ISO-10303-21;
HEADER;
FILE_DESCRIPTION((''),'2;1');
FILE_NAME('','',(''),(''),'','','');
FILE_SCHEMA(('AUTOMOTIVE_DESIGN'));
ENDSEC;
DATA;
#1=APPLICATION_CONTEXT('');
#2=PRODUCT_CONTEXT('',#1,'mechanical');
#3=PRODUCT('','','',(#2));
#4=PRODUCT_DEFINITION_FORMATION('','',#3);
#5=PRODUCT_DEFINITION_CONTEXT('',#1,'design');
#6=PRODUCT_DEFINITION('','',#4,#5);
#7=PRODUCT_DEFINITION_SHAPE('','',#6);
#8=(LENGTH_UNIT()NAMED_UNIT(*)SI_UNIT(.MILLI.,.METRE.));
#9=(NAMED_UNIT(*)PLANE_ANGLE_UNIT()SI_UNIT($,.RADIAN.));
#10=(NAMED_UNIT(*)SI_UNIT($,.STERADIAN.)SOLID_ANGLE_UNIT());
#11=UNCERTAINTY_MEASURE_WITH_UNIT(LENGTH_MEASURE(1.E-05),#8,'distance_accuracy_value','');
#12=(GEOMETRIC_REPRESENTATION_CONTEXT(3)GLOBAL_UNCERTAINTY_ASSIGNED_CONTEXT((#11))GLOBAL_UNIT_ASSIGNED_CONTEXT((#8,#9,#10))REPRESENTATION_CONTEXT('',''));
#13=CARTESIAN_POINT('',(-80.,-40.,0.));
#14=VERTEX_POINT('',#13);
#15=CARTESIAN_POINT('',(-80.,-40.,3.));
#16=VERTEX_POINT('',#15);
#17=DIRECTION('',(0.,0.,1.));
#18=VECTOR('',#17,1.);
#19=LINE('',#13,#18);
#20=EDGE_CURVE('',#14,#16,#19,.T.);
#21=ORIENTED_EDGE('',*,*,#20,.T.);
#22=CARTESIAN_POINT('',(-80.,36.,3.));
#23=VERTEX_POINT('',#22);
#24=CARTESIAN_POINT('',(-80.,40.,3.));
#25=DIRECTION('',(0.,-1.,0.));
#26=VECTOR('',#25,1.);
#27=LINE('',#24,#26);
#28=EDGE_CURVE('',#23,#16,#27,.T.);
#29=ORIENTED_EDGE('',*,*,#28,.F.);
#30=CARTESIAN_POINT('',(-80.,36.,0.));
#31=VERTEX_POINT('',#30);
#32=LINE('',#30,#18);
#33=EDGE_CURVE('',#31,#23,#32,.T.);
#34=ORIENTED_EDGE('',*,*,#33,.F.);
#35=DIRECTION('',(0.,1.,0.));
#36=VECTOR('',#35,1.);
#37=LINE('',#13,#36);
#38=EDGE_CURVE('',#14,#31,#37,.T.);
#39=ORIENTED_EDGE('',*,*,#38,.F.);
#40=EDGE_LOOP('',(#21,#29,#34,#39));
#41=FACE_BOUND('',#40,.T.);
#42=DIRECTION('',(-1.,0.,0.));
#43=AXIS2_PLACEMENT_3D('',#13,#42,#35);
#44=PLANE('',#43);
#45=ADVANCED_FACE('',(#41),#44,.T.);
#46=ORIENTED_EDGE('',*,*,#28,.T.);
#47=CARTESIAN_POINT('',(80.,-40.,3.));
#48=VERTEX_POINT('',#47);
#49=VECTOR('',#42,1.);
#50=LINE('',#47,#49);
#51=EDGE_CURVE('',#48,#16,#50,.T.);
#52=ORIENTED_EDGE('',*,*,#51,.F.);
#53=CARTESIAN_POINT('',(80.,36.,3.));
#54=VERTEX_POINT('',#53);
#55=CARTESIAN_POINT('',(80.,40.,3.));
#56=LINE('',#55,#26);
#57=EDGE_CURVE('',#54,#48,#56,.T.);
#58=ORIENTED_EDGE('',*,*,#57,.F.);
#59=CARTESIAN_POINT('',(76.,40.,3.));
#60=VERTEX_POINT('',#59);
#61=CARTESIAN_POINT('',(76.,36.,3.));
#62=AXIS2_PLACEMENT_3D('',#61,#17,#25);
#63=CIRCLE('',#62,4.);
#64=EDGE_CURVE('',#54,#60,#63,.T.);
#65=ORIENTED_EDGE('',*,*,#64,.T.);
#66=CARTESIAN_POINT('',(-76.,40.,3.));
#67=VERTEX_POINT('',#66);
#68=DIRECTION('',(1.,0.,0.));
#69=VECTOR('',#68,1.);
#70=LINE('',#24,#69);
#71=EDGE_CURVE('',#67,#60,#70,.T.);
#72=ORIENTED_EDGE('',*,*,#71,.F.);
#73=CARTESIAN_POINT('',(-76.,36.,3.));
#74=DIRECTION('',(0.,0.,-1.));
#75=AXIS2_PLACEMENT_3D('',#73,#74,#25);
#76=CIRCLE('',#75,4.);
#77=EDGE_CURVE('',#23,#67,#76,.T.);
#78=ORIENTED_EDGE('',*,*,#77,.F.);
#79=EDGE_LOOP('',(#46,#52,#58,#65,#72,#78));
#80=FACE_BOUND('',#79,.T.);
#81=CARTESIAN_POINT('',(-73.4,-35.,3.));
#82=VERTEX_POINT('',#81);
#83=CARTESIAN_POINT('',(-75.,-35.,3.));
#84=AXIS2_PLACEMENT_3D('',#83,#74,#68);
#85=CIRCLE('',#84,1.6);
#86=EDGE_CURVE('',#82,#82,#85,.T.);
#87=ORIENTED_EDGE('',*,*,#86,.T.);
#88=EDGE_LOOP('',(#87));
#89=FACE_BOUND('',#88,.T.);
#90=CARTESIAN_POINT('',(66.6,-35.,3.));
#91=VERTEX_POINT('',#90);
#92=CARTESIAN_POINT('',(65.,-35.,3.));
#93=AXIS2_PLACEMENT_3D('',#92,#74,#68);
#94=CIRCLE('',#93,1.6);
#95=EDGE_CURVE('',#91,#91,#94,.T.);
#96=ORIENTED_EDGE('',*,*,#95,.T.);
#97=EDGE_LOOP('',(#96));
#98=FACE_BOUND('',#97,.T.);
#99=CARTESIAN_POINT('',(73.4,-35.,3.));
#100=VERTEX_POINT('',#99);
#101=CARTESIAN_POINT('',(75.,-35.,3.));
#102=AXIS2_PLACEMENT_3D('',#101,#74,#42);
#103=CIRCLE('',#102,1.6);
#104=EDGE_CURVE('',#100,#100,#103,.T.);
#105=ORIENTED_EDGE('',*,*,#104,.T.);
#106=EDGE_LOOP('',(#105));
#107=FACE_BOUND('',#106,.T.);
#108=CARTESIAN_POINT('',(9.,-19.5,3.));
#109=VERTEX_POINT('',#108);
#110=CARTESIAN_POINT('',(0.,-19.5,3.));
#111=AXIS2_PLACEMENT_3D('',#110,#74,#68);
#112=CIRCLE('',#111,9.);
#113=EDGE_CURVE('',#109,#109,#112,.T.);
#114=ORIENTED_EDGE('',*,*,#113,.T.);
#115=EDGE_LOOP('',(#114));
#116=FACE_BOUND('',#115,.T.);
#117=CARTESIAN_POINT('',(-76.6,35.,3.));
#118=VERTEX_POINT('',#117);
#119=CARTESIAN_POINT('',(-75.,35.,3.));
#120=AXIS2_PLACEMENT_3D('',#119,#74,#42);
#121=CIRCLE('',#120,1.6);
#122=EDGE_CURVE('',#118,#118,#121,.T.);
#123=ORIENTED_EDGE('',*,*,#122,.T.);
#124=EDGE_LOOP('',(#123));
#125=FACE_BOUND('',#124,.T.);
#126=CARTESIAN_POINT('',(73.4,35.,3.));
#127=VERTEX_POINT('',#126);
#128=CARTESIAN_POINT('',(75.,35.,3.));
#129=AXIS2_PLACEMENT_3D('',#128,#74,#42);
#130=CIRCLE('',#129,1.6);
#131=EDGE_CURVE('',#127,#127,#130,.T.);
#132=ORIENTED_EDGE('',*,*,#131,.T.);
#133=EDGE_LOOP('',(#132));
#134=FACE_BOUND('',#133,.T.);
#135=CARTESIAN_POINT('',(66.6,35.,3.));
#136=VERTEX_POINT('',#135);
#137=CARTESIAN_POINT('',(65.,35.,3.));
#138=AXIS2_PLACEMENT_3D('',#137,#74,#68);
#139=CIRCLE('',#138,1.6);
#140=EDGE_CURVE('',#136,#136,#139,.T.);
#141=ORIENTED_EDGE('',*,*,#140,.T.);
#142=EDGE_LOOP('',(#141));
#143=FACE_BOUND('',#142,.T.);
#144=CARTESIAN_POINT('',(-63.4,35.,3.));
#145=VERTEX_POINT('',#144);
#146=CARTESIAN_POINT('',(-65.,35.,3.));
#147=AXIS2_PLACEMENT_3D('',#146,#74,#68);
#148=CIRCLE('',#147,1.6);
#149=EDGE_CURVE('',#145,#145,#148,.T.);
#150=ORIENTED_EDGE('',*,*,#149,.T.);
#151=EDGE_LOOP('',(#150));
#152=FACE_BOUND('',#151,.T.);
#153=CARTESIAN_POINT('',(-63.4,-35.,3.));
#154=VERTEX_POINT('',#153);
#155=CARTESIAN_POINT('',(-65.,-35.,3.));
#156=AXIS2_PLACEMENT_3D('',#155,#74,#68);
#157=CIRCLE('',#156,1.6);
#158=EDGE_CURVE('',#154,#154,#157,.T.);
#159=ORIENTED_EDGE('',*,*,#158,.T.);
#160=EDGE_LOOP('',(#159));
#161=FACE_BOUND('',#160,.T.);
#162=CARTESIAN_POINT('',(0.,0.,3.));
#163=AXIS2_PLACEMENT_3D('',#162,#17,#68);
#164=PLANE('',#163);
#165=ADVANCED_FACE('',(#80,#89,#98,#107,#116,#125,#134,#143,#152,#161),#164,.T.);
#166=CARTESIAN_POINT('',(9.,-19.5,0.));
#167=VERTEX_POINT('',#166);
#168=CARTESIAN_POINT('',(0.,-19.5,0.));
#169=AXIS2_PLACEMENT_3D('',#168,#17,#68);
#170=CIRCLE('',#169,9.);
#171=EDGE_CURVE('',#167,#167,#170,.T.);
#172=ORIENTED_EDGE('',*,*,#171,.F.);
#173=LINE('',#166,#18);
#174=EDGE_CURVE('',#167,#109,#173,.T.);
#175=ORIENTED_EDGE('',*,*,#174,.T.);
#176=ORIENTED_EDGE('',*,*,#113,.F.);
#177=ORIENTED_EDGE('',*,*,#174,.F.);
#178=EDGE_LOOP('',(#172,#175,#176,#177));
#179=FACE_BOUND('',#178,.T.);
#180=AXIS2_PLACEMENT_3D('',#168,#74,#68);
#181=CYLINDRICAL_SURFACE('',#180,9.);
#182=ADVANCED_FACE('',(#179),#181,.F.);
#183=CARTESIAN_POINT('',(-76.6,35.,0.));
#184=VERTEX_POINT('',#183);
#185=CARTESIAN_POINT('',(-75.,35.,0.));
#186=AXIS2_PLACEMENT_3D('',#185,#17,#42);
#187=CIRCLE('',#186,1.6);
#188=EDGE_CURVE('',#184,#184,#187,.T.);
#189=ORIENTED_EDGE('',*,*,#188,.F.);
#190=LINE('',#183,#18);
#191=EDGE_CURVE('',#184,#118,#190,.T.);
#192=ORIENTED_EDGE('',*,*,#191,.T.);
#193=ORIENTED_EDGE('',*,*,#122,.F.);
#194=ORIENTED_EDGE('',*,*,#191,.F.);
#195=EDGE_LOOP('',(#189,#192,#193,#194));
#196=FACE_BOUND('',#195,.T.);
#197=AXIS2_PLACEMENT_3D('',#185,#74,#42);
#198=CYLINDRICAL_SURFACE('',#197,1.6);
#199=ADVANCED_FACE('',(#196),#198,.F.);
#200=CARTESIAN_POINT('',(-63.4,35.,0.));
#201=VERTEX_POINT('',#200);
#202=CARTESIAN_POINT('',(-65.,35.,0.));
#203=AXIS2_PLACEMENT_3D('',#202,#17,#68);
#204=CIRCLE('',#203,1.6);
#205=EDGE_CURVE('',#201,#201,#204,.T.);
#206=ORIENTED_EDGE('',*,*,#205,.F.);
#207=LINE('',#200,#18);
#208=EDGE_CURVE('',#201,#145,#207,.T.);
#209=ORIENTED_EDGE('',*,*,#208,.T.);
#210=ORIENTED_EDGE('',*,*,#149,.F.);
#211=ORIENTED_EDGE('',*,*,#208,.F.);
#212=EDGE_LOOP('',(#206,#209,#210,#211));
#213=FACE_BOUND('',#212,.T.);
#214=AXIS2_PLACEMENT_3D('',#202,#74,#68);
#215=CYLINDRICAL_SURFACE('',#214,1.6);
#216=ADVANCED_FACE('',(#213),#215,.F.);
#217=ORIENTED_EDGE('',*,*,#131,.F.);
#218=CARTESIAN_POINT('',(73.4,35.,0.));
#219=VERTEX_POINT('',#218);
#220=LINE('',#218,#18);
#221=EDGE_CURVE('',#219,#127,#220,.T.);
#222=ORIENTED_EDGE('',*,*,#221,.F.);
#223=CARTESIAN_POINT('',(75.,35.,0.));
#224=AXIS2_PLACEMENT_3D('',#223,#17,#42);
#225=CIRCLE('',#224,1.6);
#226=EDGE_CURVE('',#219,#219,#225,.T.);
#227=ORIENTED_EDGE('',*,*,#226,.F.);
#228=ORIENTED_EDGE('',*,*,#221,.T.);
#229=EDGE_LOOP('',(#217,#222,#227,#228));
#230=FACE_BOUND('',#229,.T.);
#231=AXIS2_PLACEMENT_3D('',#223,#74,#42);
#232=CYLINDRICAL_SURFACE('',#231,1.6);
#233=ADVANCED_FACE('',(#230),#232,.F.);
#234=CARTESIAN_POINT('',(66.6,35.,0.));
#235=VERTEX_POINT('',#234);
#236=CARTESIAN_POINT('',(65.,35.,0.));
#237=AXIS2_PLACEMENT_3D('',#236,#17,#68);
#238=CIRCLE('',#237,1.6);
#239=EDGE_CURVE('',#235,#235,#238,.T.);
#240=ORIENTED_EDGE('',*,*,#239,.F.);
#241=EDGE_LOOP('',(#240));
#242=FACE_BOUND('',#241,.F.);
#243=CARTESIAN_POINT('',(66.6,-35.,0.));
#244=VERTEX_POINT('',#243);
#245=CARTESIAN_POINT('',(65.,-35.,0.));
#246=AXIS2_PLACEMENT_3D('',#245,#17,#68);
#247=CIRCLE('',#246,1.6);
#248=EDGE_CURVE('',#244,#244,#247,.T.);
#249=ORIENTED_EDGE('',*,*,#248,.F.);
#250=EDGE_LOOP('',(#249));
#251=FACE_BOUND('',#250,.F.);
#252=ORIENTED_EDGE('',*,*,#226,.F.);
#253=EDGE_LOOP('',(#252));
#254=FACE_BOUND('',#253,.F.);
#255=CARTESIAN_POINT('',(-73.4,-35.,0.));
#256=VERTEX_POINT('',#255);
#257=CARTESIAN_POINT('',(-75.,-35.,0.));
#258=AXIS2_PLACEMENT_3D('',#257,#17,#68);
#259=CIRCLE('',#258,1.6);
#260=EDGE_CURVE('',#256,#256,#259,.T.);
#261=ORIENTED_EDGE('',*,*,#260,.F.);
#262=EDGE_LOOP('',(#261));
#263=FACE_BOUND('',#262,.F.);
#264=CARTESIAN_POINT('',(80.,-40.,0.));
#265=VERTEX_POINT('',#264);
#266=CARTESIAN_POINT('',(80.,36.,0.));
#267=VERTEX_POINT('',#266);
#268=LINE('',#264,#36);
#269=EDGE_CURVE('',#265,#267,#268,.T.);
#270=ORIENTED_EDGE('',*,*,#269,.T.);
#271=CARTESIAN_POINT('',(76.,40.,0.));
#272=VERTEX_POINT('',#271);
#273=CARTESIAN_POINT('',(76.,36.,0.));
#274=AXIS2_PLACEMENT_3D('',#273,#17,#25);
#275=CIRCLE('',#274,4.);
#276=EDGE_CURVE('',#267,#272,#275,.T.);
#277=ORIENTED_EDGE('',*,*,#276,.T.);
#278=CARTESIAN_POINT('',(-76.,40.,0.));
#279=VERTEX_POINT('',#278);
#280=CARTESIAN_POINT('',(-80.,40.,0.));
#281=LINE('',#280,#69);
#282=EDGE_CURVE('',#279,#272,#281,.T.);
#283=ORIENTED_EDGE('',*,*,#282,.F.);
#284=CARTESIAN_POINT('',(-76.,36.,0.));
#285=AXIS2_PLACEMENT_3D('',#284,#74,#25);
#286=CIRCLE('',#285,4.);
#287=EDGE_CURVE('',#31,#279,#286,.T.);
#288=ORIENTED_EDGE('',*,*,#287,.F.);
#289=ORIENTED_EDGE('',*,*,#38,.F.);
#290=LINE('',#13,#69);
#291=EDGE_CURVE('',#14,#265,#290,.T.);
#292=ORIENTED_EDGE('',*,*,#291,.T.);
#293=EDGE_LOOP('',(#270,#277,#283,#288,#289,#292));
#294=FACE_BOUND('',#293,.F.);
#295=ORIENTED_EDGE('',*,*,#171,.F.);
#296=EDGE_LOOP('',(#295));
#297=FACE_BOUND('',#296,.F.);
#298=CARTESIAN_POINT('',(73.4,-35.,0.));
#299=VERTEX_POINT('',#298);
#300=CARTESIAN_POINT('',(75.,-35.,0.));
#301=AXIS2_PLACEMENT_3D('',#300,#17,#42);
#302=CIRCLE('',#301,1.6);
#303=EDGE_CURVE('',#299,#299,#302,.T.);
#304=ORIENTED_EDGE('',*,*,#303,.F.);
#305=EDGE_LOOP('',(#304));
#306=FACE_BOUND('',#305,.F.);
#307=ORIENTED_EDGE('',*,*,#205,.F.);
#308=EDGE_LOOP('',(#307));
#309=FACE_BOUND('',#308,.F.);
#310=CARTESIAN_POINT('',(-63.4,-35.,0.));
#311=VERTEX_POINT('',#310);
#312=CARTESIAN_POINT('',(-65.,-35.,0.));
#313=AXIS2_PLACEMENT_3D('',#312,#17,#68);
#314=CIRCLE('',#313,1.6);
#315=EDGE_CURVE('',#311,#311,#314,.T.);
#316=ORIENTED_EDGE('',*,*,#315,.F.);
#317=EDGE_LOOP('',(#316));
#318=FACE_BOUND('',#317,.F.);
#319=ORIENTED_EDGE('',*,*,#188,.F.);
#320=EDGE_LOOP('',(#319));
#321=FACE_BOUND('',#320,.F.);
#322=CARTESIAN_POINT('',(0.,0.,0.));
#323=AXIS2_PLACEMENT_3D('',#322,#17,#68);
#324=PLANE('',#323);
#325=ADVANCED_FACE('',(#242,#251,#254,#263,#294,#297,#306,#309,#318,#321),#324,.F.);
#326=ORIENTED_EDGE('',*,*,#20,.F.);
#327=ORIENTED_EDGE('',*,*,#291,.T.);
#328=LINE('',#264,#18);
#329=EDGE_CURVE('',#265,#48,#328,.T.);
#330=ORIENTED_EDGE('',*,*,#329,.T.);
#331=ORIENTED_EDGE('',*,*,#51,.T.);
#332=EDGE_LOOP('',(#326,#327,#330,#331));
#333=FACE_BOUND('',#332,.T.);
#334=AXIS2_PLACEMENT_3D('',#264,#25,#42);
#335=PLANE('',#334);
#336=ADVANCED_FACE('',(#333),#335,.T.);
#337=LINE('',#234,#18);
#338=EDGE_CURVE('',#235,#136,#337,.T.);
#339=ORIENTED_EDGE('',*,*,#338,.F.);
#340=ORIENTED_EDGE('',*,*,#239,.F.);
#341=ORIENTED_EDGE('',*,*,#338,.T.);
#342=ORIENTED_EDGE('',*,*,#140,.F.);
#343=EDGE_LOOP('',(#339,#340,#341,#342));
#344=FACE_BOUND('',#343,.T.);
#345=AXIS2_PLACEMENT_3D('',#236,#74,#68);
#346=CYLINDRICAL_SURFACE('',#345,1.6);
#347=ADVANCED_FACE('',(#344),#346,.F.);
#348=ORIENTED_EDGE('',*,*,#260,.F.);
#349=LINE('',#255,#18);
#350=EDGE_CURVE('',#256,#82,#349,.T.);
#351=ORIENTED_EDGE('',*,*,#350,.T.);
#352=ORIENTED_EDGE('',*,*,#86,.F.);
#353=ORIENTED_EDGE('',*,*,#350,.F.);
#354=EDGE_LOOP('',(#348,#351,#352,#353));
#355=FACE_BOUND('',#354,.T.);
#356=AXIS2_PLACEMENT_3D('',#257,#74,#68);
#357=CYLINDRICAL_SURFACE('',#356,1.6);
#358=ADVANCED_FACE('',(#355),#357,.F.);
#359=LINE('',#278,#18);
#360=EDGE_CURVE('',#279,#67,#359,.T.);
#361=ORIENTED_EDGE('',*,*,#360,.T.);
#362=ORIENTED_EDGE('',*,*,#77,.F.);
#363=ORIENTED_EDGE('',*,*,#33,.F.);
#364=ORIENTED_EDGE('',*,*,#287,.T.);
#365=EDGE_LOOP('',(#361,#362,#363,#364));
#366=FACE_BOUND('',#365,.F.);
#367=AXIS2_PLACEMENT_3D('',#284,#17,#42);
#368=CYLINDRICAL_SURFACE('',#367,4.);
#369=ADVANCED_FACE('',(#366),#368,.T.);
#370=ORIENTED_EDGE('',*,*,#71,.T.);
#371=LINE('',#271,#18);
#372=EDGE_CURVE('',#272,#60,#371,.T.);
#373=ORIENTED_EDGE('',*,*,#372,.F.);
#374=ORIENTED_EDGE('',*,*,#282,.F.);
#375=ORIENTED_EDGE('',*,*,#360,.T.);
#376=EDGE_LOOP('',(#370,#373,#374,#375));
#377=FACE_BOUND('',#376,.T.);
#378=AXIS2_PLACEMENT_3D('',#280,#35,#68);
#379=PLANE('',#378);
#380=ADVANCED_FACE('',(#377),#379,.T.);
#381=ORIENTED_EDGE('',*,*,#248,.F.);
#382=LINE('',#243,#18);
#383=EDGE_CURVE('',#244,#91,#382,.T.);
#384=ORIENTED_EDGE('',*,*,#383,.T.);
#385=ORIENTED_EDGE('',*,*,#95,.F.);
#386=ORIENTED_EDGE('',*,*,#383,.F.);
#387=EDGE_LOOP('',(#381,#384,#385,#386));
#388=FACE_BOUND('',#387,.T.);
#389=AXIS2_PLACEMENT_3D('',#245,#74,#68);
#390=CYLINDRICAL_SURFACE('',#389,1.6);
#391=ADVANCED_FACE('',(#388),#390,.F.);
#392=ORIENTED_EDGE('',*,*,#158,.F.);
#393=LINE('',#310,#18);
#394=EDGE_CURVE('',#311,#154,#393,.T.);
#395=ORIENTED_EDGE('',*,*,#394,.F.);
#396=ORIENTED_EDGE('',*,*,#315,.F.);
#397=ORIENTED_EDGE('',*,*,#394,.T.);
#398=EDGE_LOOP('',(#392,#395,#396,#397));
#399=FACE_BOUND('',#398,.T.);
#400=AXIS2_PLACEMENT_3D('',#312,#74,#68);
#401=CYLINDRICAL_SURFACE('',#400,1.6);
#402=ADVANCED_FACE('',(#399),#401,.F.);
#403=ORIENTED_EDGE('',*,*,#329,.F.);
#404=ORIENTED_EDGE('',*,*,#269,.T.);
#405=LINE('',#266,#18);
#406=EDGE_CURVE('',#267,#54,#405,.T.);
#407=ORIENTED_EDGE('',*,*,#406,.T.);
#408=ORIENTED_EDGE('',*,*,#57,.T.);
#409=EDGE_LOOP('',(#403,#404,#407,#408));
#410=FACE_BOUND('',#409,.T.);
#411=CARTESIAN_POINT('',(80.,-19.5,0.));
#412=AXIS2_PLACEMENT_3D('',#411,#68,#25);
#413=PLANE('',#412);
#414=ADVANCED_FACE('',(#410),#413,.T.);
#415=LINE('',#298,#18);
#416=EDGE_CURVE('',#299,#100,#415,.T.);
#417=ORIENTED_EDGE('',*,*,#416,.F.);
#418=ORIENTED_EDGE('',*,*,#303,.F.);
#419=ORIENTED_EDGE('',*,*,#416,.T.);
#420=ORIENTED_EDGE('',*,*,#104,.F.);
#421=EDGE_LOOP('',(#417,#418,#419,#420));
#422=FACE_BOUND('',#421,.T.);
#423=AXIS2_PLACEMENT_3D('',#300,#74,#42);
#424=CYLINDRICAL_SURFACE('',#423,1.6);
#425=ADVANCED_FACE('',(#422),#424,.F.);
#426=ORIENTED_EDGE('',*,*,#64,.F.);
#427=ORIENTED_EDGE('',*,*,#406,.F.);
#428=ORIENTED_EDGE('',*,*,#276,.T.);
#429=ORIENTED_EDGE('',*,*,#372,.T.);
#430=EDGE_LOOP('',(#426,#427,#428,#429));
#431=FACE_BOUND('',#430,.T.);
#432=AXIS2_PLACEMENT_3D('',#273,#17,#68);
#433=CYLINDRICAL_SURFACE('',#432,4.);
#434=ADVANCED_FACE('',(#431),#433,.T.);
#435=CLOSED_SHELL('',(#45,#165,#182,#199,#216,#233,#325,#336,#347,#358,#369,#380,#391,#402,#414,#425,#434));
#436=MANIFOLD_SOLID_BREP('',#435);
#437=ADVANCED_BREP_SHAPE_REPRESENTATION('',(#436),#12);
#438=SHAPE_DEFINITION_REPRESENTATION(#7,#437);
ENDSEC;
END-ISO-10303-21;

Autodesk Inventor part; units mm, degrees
ref_plane "YZ Plane" through (0, 0, 0) normal (1, 0, 0) x (0, 1, 0)
ref_plane "XZ Plane" through (0, 0, 0) normal (0, 1, 0) x (-1, 0, 0)
ref_plane "XY Plane" through (0, 0, 0) normal (0, 0, 1) x (1, 0, 0)
sketch "スケッチ1" plane through (0, 0, 0) normal (0, 0, 1) x (1, 0, 0)
  point P0 (0, 0)
sketch "スケッチ2" plane through (0, 0, 0) normal (0, 0, 1) x (1, 0, 0)
  line L0 (80, -40) -> (-80, -40)
  line L1 (-80, -40) -> (-80, 40)
  line L2 (-80, 40) -> (80, 40)
  line L3 (80, 40) -> (80, -40)
  line L4 (80, -40) -> (-80, 40) construction
  line L5 (-80, -40) -> (80, 40) construction
  circle A0 centre (-48, -19.5) radius 6.05
  circle A1 centre (48, -19.5) radius 12.55
  circle A2 centre (48, -19.5) radius 17.5
  circle A3 centre (65.5, -19.5) radius 2.05
  circle A4 centre (48, -2) radius 2.05
  circle A5 centre (30.5, -19.5) radius 2.05
  circle A6 centre (48, -37) radius 2.05
  circle A7 centre (-48, -19.5) radius 9
  circle A8 centre (-57, -19.5) radius 1.6
  circle A9 centre (-48, -28.5) radius 1.6
  circle A10 centre (-39, -19.5) radius 1.6
  circle A11 centre (-48, -10.5) radius 1.6
  line L6 (75, 35) -> (-75, 35)
  line L7 (-75, 35) -> (-75, -35)
  line L8 (-75, -35) -> (75, -35)
  line L9 (75, -35) -> (75, 35)
  line L10 (-75, 35) -> (-75, 35) construction
  line L11 (-76.6, 35) -> (-76.6, 35)
  line L12 (-73.4, 35) -> (-73.4, 35)
  arc A12 (-73.4, 35) -> (-76.6, 35) centre (-75, 35) ccw
  arc A13 (-76.6, 35) -> (-73.4, 35) centre (-75, 35) ccw
  line L13 (-75, 35) -> (-75, 35) construction
  line L14 (-75, -35) -> (-75, -35) construction
  line L15 (-73.4, -35) -> (-73.4, -35)
  line L16 (-76.6, -35) -> (-76.6, -35)
  arc A14 (-76.6, -35) -> (-73.4, -35) centre (-75, -35) ccw
  arc A15 (-73.4, -35) -> (-76.6, -35) centre (-75, -35) ccw
  line L17 (-75, -35) -> (-75, -35) construction
  line L18 (75, 35) -> (75, 35) construction
  line L19 (73.4, 35) -> (73.4, 35)
  line L20 (76.6, 35) -> (76.6, 35)
  arc A16 (76.6, 35) -> (73.4, 35) centre (75, 35) ccw
  arc A17 (73.4, 35) -> (76.6, 35) centre (75, 35) ccw
  line L21 (75, 35) -> (75, 35) construction
  line L22 (75, -35) -> (75, -35) construction
  line L23 (76.6, -35) -> (76.6, -35)
  line L24 (73.4, -35) -> (73.4, -35)
  arc A18 (73.4, -35) -> (76.6, -35) centre (75, -35) ccw
  arc A19 (76.6, -35) -> (73.4, -35) centre (75, -35) ccw
  line L25 (75, -35) -> (75, -35) construction
  line L26 (-80, -19.5) -> (80, -19.5)
  circle A20 centre (0, -19.5) radius 9
  circle A21 centre (0, -19.5) radius 39
  line L27 (-85, 40) -> (85, 40)
  line L28 (85, 40) -> (85, 35)
  line L29 (85, 35) -> (-85, 35)
  line L30 (-85, 35) -> (-85, 40)
  line L31 (-85, 35) -> (0, 0)
  line L32 (0, 0) -> (85, 35)
  line L33 (-80, 0) -> (80, 0)
  line L34 (80, 0) -> (80, -50)
  line L35 (80, -50) -> (-80, -50)
  line L36 (-80, -50) -> (-80, 0)
  circle A22 centre (-65, 35) radius 1.6
  circle A23 centre (65, 35) radius 1.6
  circle A24 centre (-65, -35) radius 1.6
  circle A25 centre (65, -35) radius 1.6
  point P0 (-75, 35)
  point P1 (-75, -35)
  point P2 (75, 35)
  point P3 (75, -35)
  point P4 (-39.1422, -21.0937)
  point P5 (-39.1422, -17.9063)
  point P6 (0, 40)
  point P7 (85, 40)
  point P8 (48.45, -35)
  point P9 (47.55, -35)
  point P10 (80, 40)
  point P11 (80, 32.9412)
  point P12 (-80, 32.9412)
  point P13 (-80, 40)
  point P14 (60, -23.1746)
  point P15 (60, -15.8254)
  point P16 (0, 35)
  point P17 (-73.4, -35)
  point P18 (-76.6, -35)
  point P19 (73.4, -35)
  point P20 (76.6, -35)
  point P21 (76.6, 35)
  point P22 (73.4, 35)
  point P23 (-76.6, 35)
  point P24 (-73.4, 35)
  dimension "d9" = 35
  dimension "d15" = 18
  dimension "d0" = 160
  dimension "d1" = 80
  dimension "d5" = 12.1
  dimension "d6" = 25.1
  dimension "d10" = 4.1
  dimension "d13" = 360
  dimension "d16" = 3.2
  dimension "d19" = 360
  dimension "d21" = 5
  dimension "d22" = 0
  dimension "d23" = 90
  dimension "d24" = 3.2
  dimension "d25" = 0
  dimension "d26" = 90
  dimension "d27" = 3.2
  dimension "d28" = 0
  dimension "d29" = 90
  dimension "d30" = 3.2
  dimension "d31" = 0
  dimension "d32" = 90
  dimension "d33" = 3.2
  dimension "d36" = 20.5
  dimension "d37" = 18
  dimension "d38" = 78
  dimension "d39" = 48
  dimension "d40" = 48
  dimension "d43" = 170
  dimension "d44" = 85
  dimension "d46" = 50
  dimension "d47" = 3.2
  dimension "d48" = 3.2
  dimension "d51" = 130
  dimension "d52" = 65
extrude "押し出し1" add sketch "スケッチ2" along normal blind 3 contours L0 A21 L8 A2 A6 A25 A18 A19 L9 L26 L3 | L0 A21 L8 | L26 L9 L33 L3 | L0 L1 L26 L7 A15 A14 L8 A24 A21 | A21 A2 L8 | L8 A21 A10 L26 A20 A5 A2 | L33 L9 L32 L3 | L26 A3 A2 A4 L33 L9 | L9 A19 L8 A25 A2 A3 L26 | L8 A24 A15 L7 L26 A8 A7 A9 A10 A21 | L8 A6 A2 | A2 A21 A1 L26 A3 L8 A6 | A2 A5 L26 A1 A21 | L32 L9 A17 L29 L3 | L33 A4 A21 L32 L9 | L26 A2 A3 | A3 A2 L26 | L1 L33 L7 L26 | A21 L26 A10 | A10 A7 A21 | A6 L8 A2 | A2 A6 | A6 L8 | A5 L26 A2 | A2 L26 A5 | A21 L26 A1 | A1 L26 A21 | L29 A16 L6 A23 A22 A12 L1 L2 L3 | L32 A21 L31 L7 A13 L6 A22 A23 A17 L9 | L33 A4 | A4 A2 L33 | A3 L26 A1 A21 A2 A4 | A2 L26 A3 | A3 L26 A2 | L1 L31 L7 L33 | L7 L33 A21 A10 A7 A11 A8 L26 | A10 L26 A7 | A7 A9 A8 L26 A0 A10 | L26 A21 A10 | A10 A21 L33 A2 A5 L26 A20 | L26 A10 A7 | A7 A10 A21 | A6 L8 A2 | L26 A5 A2 | A2 A5 L26 | A5 A2 A21 A1 L26 | A1 A21 L26 | L26 A21 A1 | L32 L31 A21 | A21 L33 L32 | A4 A2 A21 L33 | A4 A2 | L1 L29 A13 L7 L31 | L7 L31 A21 L33 | L26 A7 A8 | A8 A7 L26 | A9 A7 | A7 A9 | L26 A0 A8 A7 A11 A10 | L31 L33 A21 | A8 L26 A7 | A7 L26 A8 | L26 A0 | A0 L26 | A11 A7 | A7 A11
fillet "フィレット1" radius 4 2 edges at (80, 40, 1.5) (-80, 40, 1.5)
equation "\"d27\" = d24"
equation "\"d30\" = d24"
equation "\"d33\" = d24"
equation "\"d40\" = d39"
equation "\"d44\" = 0.5 * d43"
properties part number "aaa_small_plate_no"
